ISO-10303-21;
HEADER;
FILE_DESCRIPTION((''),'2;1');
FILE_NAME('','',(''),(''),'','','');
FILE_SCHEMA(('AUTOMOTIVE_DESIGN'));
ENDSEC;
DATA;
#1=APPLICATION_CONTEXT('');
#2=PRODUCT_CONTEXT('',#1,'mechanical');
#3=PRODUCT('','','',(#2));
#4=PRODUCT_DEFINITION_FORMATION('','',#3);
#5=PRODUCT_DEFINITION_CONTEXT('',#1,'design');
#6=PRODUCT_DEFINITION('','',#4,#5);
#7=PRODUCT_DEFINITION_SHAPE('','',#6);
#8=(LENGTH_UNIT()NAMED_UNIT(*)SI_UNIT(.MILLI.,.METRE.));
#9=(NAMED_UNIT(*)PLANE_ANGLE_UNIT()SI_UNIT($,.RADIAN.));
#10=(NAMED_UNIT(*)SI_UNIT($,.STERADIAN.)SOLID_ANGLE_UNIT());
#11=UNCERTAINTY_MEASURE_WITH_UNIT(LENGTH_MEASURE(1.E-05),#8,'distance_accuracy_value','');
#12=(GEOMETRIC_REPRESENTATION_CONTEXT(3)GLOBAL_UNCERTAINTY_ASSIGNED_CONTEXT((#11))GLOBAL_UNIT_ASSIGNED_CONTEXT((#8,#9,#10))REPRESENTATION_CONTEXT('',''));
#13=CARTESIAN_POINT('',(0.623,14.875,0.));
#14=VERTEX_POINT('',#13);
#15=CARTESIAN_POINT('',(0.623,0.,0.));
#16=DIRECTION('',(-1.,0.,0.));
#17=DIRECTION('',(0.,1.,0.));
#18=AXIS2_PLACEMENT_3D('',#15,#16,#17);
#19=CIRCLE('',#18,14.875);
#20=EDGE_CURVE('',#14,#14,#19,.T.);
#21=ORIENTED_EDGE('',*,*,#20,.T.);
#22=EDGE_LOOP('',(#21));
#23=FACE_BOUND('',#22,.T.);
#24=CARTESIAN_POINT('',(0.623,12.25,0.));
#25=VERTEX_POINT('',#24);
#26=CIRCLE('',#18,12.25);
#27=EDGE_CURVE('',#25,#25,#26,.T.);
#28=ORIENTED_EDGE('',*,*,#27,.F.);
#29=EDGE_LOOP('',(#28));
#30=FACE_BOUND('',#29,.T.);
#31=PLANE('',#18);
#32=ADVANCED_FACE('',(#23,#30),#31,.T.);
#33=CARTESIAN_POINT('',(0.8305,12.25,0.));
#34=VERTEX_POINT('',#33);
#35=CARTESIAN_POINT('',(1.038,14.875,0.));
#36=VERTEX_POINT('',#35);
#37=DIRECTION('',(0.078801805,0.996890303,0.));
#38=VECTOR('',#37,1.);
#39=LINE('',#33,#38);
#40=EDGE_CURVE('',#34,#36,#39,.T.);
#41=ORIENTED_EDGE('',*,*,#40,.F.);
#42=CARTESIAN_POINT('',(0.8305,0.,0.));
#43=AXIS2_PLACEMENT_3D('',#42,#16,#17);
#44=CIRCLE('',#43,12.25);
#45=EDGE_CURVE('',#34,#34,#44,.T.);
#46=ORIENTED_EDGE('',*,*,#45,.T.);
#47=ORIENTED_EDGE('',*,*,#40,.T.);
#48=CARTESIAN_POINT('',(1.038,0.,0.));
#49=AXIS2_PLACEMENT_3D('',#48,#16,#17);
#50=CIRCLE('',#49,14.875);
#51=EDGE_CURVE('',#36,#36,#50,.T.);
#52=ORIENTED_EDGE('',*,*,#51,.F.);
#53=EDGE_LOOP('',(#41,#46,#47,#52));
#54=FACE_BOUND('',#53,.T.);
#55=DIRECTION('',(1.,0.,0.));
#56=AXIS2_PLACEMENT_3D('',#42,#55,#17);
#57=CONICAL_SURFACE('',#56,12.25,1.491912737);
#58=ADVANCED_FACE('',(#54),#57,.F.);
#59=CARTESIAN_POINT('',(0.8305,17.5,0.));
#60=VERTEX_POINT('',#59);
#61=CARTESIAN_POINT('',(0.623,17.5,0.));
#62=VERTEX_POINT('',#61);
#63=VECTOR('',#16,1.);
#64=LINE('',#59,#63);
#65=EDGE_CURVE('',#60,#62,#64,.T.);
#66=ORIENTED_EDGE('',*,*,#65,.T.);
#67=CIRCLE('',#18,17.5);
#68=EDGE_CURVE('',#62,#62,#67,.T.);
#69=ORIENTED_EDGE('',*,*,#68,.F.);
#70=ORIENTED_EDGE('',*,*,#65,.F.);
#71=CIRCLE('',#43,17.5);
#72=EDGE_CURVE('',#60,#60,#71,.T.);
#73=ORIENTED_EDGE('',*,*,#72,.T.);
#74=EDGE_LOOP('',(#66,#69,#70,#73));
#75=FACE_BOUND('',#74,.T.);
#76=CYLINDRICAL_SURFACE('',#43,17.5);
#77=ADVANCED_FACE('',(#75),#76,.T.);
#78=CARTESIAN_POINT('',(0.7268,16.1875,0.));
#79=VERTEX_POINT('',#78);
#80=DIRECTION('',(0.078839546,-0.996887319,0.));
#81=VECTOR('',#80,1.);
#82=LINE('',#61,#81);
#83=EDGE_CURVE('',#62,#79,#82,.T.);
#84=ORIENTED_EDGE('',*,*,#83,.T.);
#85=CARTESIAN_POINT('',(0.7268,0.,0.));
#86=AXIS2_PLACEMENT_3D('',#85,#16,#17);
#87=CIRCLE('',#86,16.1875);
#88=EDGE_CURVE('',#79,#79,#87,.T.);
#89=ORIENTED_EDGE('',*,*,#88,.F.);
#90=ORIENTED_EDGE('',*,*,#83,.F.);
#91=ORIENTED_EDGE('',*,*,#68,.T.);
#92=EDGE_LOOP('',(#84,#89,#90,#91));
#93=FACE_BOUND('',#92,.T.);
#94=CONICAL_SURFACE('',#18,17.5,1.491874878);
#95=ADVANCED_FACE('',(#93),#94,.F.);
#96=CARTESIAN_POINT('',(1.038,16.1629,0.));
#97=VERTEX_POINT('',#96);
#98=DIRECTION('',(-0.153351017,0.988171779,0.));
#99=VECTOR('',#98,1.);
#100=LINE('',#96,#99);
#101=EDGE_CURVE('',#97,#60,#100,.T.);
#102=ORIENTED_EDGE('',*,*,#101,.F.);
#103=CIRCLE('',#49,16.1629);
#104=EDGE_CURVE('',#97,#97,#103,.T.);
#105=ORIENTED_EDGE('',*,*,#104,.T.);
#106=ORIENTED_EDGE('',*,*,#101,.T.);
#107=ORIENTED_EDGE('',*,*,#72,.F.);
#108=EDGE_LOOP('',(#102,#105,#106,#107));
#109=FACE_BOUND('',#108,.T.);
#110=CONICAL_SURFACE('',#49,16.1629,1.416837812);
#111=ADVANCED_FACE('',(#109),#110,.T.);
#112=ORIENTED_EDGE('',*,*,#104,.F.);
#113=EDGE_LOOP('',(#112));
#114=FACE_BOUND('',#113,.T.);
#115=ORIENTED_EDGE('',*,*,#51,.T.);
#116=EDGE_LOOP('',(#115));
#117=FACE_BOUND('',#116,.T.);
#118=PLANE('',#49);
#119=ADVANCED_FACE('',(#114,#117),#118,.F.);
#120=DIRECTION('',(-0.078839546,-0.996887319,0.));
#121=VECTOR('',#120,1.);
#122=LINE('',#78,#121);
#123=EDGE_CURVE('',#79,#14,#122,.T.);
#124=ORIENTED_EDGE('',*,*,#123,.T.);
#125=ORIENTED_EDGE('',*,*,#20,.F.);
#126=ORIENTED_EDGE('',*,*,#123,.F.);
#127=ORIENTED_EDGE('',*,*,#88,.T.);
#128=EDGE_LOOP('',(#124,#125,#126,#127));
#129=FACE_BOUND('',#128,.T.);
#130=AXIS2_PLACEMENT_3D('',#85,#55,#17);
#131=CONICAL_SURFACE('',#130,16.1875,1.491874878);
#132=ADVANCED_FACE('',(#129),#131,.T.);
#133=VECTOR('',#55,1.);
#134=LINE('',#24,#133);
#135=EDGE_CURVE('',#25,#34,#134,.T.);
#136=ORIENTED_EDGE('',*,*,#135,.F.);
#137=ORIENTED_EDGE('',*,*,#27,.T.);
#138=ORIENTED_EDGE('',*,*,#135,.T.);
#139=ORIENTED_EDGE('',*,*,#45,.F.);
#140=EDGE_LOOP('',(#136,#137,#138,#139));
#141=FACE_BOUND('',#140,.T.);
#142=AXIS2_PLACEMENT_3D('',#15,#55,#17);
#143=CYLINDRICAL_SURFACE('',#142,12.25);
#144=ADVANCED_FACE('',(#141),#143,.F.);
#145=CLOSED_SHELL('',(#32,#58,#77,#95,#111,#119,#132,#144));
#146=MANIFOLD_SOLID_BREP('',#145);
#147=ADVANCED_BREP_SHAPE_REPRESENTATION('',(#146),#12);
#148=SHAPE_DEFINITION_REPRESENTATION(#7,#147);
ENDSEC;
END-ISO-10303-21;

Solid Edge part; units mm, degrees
sketch "Sketch1" plane through (0, 0, 0) normal (0, 0, 1) x (1, 0, 0)
  line L0 (0.623, 12.25) -> (0.8305, 12.25)
  line L1 (0.8305, 12.25) -> (1.038, 14.875)
  line L2 (1.038, 14.875) -> (1.038, 16.1629)
  line L3 (1.038, 16.1629) -> (0.8305, 17.5)
  line L4 (0.8305, 17.5) -> (0.623, 17.5)
  line L5 (0.623, 17.5) -> (0.7268, 16.1875)
  line L6 (0.7268, 16.1875) -> (0.623, 14.875)
  line L7 (0.623, 14.875) -> (0.623, 12.25)
revolve "RevolvedProtrusion1" add sketch "Sketch1" angle 360 about axis through (0.8305, 0, 0) along (-1, 0, 0)
